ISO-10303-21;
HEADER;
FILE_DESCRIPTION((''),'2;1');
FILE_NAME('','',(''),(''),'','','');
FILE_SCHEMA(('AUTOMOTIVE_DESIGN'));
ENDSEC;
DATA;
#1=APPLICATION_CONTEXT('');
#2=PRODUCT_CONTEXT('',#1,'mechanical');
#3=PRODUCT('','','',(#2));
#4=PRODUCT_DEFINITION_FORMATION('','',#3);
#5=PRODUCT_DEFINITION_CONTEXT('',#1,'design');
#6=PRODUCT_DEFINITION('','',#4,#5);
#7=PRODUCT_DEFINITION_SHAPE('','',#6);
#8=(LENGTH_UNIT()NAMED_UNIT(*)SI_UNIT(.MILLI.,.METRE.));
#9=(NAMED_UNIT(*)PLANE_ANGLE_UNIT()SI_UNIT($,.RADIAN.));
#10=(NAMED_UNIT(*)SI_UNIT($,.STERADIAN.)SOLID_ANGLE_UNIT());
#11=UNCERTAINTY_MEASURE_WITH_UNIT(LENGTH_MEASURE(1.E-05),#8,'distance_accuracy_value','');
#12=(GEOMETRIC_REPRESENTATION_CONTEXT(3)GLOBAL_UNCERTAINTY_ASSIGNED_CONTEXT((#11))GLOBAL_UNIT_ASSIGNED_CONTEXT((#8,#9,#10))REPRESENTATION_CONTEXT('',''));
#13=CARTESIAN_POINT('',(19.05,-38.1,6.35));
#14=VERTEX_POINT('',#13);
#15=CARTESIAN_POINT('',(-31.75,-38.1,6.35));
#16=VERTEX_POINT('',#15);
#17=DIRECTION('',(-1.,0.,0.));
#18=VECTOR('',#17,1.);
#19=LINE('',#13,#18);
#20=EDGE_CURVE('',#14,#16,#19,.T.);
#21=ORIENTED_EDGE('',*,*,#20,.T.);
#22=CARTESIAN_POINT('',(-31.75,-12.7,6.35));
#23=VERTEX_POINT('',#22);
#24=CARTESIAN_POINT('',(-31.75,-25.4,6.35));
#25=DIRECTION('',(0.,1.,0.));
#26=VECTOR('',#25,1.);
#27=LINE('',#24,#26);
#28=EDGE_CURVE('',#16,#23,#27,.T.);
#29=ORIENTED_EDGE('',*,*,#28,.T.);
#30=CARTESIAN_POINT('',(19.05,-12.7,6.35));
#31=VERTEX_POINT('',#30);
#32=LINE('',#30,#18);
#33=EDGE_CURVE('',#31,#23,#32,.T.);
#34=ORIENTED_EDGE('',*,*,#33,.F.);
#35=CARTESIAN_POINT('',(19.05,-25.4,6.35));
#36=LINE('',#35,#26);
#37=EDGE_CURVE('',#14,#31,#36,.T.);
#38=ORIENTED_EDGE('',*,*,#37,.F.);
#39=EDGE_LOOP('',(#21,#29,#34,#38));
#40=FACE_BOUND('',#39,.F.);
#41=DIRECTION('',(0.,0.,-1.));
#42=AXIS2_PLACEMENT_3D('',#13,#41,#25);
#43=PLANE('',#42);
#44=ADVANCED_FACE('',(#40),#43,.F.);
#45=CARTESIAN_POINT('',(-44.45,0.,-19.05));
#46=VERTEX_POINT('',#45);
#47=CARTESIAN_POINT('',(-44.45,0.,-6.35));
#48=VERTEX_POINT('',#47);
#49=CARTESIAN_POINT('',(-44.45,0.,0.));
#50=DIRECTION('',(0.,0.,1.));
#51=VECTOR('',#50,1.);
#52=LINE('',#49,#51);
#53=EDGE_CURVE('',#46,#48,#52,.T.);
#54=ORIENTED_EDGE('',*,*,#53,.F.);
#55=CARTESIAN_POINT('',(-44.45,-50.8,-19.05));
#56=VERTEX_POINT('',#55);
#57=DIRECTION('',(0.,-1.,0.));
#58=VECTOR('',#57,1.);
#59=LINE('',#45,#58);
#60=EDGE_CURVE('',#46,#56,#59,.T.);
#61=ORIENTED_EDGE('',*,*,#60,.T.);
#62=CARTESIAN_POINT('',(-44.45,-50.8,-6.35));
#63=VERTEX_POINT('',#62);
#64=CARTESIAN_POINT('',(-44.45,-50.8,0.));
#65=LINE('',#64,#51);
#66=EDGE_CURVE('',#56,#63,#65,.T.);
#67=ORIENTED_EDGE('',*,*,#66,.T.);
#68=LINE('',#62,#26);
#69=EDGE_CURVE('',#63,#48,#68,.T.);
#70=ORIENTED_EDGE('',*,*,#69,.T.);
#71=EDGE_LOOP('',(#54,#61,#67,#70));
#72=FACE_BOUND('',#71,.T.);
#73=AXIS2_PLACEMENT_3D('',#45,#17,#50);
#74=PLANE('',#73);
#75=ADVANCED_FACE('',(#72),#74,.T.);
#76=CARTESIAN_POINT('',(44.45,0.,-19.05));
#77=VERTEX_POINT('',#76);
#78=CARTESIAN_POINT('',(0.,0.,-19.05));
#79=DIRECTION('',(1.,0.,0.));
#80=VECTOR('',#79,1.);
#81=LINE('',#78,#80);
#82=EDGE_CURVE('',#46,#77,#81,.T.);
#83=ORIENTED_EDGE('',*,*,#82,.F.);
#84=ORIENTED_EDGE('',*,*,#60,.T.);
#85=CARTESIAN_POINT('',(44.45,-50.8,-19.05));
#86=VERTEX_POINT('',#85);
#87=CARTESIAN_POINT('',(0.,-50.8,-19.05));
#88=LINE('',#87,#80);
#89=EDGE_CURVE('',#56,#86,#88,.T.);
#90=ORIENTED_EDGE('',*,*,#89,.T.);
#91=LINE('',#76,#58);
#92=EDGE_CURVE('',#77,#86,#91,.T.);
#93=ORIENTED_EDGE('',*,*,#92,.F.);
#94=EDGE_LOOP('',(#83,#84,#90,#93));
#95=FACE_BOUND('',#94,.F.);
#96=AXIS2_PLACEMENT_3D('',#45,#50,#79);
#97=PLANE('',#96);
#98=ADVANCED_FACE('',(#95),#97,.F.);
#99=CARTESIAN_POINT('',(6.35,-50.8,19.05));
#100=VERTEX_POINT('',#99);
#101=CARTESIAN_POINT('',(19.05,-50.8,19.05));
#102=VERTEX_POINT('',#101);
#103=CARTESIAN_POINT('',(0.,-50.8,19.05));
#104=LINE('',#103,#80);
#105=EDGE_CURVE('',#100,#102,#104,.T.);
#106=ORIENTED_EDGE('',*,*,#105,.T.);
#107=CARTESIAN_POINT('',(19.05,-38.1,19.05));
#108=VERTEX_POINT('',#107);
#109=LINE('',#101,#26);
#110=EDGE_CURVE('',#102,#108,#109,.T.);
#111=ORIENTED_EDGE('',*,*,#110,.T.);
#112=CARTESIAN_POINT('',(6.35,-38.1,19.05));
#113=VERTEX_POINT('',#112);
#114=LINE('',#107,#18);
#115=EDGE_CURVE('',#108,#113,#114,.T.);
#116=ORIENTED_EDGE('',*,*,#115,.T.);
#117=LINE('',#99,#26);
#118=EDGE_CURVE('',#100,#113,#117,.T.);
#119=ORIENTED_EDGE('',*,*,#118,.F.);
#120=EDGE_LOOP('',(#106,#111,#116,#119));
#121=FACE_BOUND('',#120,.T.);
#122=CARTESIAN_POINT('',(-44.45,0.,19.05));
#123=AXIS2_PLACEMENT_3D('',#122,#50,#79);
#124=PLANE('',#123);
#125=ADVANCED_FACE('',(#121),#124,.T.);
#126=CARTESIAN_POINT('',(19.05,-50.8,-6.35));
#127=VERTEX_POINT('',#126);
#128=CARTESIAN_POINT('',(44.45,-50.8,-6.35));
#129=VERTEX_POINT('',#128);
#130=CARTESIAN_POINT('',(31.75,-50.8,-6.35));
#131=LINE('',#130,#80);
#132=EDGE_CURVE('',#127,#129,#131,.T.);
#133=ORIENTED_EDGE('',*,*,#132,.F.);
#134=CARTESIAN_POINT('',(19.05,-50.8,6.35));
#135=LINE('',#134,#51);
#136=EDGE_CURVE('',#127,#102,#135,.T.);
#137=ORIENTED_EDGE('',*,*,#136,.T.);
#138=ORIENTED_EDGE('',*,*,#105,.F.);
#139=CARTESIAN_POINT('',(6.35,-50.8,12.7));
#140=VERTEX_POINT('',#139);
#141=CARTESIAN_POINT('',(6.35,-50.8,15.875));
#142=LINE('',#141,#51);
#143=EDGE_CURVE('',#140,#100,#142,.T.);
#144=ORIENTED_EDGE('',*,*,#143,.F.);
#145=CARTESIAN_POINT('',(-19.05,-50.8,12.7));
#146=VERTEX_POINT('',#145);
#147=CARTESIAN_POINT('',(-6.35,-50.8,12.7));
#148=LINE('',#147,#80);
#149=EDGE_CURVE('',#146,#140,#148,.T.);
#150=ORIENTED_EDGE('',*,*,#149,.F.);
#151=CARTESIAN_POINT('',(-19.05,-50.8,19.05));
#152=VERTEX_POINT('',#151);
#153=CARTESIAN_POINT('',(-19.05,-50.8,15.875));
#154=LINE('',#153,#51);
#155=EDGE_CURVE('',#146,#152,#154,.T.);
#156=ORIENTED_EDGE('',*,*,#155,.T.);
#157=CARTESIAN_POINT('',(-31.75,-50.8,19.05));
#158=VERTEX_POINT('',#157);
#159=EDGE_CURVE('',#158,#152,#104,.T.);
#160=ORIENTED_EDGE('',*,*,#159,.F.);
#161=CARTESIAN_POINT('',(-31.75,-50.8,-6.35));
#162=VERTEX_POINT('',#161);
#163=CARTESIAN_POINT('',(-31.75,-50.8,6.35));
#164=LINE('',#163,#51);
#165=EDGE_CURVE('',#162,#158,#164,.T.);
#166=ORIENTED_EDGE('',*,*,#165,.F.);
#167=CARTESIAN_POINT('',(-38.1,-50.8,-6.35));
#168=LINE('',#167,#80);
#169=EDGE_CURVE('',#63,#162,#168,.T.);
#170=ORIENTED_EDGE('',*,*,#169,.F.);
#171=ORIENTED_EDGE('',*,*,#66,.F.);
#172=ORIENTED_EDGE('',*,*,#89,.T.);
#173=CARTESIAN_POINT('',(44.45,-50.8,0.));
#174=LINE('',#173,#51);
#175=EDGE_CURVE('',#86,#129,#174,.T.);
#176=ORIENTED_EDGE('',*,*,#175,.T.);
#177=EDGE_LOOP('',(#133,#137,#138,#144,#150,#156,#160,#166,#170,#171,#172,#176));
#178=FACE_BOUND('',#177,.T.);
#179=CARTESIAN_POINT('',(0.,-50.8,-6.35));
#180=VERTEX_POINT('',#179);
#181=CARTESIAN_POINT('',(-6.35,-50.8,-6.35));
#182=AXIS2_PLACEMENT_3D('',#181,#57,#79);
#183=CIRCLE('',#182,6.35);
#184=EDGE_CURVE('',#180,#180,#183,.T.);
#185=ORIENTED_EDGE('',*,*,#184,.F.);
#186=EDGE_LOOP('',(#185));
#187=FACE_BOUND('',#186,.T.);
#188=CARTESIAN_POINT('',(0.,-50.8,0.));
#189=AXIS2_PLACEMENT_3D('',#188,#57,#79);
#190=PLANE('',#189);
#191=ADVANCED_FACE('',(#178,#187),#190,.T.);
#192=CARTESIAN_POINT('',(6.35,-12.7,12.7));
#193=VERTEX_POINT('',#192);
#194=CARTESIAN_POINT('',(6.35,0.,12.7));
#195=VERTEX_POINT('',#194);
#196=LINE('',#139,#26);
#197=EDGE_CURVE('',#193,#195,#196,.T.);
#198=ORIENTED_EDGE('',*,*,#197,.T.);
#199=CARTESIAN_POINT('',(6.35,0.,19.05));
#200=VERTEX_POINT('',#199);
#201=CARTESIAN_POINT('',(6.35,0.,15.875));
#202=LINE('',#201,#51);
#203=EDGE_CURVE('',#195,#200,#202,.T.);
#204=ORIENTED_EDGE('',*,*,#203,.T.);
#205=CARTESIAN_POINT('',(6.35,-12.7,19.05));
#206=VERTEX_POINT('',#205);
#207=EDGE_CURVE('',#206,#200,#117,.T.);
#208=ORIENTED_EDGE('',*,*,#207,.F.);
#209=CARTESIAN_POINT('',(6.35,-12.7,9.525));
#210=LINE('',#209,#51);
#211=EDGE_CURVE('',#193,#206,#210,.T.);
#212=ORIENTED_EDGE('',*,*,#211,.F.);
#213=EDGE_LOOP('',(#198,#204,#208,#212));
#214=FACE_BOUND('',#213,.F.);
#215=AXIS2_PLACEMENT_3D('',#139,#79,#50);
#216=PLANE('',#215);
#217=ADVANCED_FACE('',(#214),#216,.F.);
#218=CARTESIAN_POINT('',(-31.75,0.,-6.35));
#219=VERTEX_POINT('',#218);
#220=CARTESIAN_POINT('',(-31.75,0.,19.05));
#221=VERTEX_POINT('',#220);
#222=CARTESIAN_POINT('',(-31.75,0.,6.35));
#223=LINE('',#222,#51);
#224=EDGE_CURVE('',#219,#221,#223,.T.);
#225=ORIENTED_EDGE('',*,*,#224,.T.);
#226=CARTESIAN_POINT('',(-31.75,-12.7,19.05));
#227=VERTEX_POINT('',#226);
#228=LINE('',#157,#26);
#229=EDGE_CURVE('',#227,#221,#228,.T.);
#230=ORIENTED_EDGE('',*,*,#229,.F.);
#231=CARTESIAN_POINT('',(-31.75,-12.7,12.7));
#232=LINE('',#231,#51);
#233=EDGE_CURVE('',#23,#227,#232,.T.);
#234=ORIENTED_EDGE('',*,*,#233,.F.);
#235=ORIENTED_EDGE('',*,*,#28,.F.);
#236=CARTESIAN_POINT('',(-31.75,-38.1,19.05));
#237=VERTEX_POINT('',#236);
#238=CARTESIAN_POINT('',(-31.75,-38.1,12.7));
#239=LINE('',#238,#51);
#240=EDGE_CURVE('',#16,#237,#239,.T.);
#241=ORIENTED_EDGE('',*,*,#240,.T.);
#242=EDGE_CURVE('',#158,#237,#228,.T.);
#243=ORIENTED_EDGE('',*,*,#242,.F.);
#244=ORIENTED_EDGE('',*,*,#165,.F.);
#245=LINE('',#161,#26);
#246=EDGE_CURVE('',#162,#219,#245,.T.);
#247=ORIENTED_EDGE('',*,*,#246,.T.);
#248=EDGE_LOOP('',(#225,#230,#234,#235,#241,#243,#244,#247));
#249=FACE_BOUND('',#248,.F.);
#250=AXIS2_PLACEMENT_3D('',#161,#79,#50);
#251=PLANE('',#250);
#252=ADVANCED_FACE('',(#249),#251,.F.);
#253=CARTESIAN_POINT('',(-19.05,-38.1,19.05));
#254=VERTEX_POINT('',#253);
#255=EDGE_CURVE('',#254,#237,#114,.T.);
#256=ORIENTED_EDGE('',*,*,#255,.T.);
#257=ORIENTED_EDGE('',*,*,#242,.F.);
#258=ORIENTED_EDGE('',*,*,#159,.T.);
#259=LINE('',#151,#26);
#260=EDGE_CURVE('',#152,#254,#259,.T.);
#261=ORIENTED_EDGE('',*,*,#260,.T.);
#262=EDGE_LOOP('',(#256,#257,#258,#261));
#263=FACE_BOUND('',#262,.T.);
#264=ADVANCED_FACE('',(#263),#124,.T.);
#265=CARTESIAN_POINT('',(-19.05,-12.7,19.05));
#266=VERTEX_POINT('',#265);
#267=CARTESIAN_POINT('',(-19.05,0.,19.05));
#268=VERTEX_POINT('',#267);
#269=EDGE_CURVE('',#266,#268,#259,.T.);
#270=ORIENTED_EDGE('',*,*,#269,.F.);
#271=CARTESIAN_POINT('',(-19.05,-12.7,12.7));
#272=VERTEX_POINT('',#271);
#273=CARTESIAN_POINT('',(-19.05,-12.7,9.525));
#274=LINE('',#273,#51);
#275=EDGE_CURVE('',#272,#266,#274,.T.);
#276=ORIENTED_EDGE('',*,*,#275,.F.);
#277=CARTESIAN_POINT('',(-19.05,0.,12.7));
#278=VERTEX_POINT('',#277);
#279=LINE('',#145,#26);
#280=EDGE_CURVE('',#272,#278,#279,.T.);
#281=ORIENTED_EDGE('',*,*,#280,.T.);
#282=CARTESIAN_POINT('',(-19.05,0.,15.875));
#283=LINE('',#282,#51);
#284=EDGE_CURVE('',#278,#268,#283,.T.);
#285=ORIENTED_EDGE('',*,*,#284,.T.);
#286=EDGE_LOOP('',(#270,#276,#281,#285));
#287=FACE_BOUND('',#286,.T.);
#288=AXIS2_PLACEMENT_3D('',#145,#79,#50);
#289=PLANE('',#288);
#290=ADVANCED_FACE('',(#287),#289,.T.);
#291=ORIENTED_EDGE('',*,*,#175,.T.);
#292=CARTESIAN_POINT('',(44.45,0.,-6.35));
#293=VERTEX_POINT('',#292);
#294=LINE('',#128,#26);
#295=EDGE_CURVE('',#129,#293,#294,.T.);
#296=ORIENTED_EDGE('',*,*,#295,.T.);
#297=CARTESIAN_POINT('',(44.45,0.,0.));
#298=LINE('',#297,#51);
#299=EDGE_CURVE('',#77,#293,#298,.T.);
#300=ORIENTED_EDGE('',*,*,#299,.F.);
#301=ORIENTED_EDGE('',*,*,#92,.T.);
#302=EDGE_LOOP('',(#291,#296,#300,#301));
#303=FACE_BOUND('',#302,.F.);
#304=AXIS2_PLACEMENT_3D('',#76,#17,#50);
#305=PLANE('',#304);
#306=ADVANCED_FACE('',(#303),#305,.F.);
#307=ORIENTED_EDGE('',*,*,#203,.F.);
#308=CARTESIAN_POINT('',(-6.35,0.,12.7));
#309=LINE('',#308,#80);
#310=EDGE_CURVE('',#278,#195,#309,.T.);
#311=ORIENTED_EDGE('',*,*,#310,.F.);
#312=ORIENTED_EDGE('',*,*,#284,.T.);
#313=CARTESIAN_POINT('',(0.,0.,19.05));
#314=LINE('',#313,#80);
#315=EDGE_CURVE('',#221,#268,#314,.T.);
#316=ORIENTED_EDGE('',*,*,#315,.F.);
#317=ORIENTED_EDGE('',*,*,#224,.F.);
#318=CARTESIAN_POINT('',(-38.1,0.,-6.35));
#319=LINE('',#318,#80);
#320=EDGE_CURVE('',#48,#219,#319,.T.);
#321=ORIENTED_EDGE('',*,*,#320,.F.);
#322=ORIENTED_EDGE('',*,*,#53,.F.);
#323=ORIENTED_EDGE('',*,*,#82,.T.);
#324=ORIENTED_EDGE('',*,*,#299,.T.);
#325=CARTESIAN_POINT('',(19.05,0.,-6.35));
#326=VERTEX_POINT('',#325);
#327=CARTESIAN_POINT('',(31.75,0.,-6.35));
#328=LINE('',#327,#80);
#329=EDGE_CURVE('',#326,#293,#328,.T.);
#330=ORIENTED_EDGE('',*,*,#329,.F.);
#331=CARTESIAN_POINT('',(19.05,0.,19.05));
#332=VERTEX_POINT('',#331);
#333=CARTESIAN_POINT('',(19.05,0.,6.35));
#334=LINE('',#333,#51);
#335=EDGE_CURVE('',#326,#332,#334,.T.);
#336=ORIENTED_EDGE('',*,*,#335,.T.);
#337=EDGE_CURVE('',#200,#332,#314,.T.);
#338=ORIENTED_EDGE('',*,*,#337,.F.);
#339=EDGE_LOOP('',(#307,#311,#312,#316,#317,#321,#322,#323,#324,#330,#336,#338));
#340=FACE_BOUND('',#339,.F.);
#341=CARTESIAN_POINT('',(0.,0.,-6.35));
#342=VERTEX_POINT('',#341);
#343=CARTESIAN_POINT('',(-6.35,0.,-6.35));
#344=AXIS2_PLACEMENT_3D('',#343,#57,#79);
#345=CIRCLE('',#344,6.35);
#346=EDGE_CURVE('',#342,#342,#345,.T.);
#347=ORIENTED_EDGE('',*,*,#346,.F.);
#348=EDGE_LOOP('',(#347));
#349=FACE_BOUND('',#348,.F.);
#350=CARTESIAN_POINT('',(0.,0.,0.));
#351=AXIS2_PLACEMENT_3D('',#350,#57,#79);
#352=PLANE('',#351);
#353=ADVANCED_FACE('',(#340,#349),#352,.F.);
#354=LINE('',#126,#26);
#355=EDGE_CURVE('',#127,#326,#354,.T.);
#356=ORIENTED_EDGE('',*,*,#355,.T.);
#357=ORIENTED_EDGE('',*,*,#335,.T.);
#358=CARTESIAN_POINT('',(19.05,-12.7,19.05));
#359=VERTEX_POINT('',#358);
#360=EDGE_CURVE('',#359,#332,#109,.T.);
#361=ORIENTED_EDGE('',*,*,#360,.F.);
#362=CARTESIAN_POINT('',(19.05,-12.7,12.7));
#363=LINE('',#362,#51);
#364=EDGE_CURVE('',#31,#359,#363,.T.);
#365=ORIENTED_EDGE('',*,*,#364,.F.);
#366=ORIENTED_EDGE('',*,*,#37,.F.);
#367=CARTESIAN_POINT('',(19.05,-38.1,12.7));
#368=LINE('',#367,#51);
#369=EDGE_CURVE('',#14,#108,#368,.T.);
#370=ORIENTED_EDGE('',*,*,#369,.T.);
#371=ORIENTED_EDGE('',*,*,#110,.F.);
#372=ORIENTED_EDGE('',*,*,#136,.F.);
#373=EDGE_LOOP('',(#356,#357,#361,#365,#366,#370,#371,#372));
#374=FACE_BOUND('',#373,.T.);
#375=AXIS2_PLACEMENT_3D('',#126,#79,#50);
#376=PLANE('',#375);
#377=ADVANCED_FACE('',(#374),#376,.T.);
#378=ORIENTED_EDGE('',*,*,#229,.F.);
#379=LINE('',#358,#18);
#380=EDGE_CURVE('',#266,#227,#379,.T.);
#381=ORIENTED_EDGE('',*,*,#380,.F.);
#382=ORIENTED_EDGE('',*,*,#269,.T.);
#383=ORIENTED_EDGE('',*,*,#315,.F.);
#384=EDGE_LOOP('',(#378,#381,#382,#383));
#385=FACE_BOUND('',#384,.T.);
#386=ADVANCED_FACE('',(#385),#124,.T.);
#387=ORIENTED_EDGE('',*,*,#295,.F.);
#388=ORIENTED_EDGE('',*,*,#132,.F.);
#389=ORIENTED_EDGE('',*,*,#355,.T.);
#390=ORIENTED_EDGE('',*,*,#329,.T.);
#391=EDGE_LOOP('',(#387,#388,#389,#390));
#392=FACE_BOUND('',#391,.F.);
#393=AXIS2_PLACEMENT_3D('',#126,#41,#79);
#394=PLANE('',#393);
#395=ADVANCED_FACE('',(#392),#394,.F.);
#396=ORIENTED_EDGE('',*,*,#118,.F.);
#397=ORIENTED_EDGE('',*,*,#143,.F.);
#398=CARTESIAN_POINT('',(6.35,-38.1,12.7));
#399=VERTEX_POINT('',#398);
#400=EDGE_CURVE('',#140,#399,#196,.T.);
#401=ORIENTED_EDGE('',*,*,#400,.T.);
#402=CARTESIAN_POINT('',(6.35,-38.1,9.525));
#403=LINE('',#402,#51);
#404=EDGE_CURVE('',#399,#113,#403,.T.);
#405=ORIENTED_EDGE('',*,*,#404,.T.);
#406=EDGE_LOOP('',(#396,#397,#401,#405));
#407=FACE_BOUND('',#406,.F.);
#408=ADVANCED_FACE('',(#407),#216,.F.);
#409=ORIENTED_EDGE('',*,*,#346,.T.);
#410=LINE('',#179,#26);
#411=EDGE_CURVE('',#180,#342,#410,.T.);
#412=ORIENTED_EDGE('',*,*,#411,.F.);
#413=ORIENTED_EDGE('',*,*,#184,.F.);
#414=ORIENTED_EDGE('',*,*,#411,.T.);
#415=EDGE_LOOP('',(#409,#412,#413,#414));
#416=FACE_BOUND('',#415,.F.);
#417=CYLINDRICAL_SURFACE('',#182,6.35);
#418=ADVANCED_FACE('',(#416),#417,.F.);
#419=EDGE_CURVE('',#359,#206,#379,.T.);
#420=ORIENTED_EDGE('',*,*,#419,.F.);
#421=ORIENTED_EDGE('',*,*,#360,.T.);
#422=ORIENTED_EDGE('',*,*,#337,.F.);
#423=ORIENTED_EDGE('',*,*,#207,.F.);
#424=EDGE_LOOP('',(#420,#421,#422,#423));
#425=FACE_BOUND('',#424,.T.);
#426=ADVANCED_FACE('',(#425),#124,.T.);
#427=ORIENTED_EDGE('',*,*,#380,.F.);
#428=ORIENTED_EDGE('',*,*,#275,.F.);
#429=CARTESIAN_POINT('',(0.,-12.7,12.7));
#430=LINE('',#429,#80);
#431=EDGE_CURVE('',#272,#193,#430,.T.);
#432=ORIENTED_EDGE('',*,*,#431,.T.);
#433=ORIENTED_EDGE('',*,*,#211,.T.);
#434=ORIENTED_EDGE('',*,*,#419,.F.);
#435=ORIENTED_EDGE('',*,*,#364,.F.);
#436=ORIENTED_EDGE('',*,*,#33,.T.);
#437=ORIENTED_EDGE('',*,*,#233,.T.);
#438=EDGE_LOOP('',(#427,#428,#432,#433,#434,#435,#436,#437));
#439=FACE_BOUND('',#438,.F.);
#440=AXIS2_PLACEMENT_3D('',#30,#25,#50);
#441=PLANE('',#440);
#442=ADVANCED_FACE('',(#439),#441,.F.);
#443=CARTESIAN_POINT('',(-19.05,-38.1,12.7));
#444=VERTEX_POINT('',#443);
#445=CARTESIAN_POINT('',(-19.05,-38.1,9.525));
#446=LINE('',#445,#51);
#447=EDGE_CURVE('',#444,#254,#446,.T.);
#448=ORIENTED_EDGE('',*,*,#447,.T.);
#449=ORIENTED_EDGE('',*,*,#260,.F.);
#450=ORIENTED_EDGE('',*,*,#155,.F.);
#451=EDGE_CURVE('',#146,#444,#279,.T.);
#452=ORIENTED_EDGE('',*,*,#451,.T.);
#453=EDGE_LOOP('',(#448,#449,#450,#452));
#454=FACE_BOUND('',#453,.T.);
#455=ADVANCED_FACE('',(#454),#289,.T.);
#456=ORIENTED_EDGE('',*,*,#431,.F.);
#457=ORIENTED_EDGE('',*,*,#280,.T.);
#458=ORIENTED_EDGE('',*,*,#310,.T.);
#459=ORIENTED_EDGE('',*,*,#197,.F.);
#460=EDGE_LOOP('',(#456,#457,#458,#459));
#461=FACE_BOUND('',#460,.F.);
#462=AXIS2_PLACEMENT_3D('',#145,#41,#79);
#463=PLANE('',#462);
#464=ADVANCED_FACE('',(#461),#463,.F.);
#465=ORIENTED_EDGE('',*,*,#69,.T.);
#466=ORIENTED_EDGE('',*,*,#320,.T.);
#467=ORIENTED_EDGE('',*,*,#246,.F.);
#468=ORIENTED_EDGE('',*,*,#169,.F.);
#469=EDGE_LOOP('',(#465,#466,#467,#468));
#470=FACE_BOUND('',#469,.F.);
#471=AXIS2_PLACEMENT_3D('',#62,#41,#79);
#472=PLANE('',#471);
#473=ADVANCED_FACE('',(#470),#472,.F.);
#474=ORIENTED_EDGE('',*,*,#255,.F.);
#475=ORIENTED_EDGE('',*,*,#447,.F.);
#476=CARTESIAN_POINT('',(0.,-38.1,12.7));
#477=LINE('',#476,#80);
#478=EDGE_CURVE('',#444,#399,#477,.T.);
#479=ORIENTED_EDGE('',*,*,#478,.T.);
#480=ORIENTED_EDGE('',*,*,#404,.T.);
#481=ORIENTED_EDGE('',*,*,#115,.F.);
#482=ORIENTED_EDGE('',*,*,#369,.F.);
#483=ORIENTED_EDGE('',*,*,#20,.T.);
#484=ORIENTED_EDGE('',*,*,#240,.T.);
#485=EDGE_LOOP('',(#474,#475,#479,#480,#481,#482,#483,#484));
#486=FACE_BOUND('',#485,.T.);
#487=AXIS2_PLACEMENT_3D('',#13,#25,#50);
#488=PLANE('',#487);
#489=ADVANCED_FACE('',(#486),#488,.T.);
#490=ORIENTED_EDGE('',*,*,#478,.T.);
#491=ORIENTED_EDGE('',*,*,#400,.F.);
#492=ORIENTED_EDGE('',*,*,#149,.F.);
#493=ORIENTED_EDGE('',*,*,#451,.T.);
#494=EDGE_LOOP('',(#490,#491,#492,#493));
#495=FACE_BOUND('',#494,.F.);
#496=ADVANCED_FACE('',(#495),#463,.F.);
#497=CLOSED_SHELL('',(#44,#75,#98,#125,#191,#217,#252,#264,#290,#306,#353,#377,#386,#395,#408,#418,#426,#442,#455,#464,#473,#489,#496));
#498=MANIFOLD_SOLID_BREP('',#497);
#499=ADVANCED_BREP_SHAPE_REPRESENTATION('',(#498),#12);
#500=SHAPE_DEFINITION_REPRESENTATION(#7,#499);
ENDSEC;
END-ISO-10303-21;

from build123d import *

# Parameters (mm, degrees)
F0_W      = 88.9
F0_H      = 38.1
F1_DEPTH  = 50.8
F2_W      = 12.7
F2_H      = 25.4
F3_DEPTH  = 50.8
F2_W_2    = 25.4
F2_H_2    = 6.35
F4_DEPTH  = 50.8
F2_R      = 6.35
F5_DEPTH  = 50.8
F5_FACE_R = 6.35
F6_DEPTH  = 50.8
F7_DEPTH  = 50.8
F8_DEPTH  = 50.8
F9_W      = 25.4
F9_H      = 12.7
F10_DEPTH = 50.8


with BuildPart() as f1:
    # F0 (on Front) → F1 (new body)
    with BuildSketch(Plane.XZ):
        Rectangle(F0_W, F0_H)
    extrude(amount=F1_DEPTH)

    # F2 (on face) → F3 (cut)
    with BuildSketch(Plane.XZ.offset(50.8)):
        with Locations((-38.1, 6.35)):
            Rectangle(F2_W, F2_H)
    extrude(amount=-F3_DEPTH, mode=Mode.SUBTRACT)

    # F2 (on face) → F4 (cut)
    with BuildSketch(Plane.XZ.offset(50.8)):
        with Locations((-6.35, 15.875)):
            Rectangle(F2_W_2, F2_H_2)
    extrude(amount=-F4_DEPTH, mode=Mode.SUBTRACT)

    # F2 (on face) → F5 (join)
    with BuildSketch(Plane.XZ.offset(50.8)):
        with Locations((-6.35, -6.35)):
            Circle(F2_R)
    extrude(amount=F5_DEPTH)

    # F5_face (on face) → F6 (cut)
    with BuildSketch(Plane(origin=(-6.35, -101.6, -6.35), x_dir=(1, 0, 0), z_dir=(0, -1, 0))):
        Circle(F5_FACE_R)
    extrude(amount=-F6_DEPTH, mode=Mode.SUBTRACT)

    # F2 (on face) → F7 (cut)
    with BuildSketch(Plane.XZ.offset(50.8)):
        with Locations((-6.35, -6.35)):
            Circle(F2_R)
    extrude(amount=-F7_DEPTH, mode=Mode.SUBTRACT)

    # F2 (on face) → F8 (cut)
    with BuildSketch(Plane.XZ.offset(50.8)):
        with Locations((31.75, 6.35)):
            Rectangle(F2_W_2, F2_H)
    extrude(amount=-F8_DEPTH, mode=Mode.SUBTRACT)

    # F9 (on face) → F10 (cut)
    with BuildSketch(Plane.YZ.offset(19.05)):
        with Locations((-25.4, 12.7)):
            Rectangle(F9_W, F9_H)
    extrude(amount=-F10_DEPTH, mode=Mode.SUBTRACT)


solid = f1.part
